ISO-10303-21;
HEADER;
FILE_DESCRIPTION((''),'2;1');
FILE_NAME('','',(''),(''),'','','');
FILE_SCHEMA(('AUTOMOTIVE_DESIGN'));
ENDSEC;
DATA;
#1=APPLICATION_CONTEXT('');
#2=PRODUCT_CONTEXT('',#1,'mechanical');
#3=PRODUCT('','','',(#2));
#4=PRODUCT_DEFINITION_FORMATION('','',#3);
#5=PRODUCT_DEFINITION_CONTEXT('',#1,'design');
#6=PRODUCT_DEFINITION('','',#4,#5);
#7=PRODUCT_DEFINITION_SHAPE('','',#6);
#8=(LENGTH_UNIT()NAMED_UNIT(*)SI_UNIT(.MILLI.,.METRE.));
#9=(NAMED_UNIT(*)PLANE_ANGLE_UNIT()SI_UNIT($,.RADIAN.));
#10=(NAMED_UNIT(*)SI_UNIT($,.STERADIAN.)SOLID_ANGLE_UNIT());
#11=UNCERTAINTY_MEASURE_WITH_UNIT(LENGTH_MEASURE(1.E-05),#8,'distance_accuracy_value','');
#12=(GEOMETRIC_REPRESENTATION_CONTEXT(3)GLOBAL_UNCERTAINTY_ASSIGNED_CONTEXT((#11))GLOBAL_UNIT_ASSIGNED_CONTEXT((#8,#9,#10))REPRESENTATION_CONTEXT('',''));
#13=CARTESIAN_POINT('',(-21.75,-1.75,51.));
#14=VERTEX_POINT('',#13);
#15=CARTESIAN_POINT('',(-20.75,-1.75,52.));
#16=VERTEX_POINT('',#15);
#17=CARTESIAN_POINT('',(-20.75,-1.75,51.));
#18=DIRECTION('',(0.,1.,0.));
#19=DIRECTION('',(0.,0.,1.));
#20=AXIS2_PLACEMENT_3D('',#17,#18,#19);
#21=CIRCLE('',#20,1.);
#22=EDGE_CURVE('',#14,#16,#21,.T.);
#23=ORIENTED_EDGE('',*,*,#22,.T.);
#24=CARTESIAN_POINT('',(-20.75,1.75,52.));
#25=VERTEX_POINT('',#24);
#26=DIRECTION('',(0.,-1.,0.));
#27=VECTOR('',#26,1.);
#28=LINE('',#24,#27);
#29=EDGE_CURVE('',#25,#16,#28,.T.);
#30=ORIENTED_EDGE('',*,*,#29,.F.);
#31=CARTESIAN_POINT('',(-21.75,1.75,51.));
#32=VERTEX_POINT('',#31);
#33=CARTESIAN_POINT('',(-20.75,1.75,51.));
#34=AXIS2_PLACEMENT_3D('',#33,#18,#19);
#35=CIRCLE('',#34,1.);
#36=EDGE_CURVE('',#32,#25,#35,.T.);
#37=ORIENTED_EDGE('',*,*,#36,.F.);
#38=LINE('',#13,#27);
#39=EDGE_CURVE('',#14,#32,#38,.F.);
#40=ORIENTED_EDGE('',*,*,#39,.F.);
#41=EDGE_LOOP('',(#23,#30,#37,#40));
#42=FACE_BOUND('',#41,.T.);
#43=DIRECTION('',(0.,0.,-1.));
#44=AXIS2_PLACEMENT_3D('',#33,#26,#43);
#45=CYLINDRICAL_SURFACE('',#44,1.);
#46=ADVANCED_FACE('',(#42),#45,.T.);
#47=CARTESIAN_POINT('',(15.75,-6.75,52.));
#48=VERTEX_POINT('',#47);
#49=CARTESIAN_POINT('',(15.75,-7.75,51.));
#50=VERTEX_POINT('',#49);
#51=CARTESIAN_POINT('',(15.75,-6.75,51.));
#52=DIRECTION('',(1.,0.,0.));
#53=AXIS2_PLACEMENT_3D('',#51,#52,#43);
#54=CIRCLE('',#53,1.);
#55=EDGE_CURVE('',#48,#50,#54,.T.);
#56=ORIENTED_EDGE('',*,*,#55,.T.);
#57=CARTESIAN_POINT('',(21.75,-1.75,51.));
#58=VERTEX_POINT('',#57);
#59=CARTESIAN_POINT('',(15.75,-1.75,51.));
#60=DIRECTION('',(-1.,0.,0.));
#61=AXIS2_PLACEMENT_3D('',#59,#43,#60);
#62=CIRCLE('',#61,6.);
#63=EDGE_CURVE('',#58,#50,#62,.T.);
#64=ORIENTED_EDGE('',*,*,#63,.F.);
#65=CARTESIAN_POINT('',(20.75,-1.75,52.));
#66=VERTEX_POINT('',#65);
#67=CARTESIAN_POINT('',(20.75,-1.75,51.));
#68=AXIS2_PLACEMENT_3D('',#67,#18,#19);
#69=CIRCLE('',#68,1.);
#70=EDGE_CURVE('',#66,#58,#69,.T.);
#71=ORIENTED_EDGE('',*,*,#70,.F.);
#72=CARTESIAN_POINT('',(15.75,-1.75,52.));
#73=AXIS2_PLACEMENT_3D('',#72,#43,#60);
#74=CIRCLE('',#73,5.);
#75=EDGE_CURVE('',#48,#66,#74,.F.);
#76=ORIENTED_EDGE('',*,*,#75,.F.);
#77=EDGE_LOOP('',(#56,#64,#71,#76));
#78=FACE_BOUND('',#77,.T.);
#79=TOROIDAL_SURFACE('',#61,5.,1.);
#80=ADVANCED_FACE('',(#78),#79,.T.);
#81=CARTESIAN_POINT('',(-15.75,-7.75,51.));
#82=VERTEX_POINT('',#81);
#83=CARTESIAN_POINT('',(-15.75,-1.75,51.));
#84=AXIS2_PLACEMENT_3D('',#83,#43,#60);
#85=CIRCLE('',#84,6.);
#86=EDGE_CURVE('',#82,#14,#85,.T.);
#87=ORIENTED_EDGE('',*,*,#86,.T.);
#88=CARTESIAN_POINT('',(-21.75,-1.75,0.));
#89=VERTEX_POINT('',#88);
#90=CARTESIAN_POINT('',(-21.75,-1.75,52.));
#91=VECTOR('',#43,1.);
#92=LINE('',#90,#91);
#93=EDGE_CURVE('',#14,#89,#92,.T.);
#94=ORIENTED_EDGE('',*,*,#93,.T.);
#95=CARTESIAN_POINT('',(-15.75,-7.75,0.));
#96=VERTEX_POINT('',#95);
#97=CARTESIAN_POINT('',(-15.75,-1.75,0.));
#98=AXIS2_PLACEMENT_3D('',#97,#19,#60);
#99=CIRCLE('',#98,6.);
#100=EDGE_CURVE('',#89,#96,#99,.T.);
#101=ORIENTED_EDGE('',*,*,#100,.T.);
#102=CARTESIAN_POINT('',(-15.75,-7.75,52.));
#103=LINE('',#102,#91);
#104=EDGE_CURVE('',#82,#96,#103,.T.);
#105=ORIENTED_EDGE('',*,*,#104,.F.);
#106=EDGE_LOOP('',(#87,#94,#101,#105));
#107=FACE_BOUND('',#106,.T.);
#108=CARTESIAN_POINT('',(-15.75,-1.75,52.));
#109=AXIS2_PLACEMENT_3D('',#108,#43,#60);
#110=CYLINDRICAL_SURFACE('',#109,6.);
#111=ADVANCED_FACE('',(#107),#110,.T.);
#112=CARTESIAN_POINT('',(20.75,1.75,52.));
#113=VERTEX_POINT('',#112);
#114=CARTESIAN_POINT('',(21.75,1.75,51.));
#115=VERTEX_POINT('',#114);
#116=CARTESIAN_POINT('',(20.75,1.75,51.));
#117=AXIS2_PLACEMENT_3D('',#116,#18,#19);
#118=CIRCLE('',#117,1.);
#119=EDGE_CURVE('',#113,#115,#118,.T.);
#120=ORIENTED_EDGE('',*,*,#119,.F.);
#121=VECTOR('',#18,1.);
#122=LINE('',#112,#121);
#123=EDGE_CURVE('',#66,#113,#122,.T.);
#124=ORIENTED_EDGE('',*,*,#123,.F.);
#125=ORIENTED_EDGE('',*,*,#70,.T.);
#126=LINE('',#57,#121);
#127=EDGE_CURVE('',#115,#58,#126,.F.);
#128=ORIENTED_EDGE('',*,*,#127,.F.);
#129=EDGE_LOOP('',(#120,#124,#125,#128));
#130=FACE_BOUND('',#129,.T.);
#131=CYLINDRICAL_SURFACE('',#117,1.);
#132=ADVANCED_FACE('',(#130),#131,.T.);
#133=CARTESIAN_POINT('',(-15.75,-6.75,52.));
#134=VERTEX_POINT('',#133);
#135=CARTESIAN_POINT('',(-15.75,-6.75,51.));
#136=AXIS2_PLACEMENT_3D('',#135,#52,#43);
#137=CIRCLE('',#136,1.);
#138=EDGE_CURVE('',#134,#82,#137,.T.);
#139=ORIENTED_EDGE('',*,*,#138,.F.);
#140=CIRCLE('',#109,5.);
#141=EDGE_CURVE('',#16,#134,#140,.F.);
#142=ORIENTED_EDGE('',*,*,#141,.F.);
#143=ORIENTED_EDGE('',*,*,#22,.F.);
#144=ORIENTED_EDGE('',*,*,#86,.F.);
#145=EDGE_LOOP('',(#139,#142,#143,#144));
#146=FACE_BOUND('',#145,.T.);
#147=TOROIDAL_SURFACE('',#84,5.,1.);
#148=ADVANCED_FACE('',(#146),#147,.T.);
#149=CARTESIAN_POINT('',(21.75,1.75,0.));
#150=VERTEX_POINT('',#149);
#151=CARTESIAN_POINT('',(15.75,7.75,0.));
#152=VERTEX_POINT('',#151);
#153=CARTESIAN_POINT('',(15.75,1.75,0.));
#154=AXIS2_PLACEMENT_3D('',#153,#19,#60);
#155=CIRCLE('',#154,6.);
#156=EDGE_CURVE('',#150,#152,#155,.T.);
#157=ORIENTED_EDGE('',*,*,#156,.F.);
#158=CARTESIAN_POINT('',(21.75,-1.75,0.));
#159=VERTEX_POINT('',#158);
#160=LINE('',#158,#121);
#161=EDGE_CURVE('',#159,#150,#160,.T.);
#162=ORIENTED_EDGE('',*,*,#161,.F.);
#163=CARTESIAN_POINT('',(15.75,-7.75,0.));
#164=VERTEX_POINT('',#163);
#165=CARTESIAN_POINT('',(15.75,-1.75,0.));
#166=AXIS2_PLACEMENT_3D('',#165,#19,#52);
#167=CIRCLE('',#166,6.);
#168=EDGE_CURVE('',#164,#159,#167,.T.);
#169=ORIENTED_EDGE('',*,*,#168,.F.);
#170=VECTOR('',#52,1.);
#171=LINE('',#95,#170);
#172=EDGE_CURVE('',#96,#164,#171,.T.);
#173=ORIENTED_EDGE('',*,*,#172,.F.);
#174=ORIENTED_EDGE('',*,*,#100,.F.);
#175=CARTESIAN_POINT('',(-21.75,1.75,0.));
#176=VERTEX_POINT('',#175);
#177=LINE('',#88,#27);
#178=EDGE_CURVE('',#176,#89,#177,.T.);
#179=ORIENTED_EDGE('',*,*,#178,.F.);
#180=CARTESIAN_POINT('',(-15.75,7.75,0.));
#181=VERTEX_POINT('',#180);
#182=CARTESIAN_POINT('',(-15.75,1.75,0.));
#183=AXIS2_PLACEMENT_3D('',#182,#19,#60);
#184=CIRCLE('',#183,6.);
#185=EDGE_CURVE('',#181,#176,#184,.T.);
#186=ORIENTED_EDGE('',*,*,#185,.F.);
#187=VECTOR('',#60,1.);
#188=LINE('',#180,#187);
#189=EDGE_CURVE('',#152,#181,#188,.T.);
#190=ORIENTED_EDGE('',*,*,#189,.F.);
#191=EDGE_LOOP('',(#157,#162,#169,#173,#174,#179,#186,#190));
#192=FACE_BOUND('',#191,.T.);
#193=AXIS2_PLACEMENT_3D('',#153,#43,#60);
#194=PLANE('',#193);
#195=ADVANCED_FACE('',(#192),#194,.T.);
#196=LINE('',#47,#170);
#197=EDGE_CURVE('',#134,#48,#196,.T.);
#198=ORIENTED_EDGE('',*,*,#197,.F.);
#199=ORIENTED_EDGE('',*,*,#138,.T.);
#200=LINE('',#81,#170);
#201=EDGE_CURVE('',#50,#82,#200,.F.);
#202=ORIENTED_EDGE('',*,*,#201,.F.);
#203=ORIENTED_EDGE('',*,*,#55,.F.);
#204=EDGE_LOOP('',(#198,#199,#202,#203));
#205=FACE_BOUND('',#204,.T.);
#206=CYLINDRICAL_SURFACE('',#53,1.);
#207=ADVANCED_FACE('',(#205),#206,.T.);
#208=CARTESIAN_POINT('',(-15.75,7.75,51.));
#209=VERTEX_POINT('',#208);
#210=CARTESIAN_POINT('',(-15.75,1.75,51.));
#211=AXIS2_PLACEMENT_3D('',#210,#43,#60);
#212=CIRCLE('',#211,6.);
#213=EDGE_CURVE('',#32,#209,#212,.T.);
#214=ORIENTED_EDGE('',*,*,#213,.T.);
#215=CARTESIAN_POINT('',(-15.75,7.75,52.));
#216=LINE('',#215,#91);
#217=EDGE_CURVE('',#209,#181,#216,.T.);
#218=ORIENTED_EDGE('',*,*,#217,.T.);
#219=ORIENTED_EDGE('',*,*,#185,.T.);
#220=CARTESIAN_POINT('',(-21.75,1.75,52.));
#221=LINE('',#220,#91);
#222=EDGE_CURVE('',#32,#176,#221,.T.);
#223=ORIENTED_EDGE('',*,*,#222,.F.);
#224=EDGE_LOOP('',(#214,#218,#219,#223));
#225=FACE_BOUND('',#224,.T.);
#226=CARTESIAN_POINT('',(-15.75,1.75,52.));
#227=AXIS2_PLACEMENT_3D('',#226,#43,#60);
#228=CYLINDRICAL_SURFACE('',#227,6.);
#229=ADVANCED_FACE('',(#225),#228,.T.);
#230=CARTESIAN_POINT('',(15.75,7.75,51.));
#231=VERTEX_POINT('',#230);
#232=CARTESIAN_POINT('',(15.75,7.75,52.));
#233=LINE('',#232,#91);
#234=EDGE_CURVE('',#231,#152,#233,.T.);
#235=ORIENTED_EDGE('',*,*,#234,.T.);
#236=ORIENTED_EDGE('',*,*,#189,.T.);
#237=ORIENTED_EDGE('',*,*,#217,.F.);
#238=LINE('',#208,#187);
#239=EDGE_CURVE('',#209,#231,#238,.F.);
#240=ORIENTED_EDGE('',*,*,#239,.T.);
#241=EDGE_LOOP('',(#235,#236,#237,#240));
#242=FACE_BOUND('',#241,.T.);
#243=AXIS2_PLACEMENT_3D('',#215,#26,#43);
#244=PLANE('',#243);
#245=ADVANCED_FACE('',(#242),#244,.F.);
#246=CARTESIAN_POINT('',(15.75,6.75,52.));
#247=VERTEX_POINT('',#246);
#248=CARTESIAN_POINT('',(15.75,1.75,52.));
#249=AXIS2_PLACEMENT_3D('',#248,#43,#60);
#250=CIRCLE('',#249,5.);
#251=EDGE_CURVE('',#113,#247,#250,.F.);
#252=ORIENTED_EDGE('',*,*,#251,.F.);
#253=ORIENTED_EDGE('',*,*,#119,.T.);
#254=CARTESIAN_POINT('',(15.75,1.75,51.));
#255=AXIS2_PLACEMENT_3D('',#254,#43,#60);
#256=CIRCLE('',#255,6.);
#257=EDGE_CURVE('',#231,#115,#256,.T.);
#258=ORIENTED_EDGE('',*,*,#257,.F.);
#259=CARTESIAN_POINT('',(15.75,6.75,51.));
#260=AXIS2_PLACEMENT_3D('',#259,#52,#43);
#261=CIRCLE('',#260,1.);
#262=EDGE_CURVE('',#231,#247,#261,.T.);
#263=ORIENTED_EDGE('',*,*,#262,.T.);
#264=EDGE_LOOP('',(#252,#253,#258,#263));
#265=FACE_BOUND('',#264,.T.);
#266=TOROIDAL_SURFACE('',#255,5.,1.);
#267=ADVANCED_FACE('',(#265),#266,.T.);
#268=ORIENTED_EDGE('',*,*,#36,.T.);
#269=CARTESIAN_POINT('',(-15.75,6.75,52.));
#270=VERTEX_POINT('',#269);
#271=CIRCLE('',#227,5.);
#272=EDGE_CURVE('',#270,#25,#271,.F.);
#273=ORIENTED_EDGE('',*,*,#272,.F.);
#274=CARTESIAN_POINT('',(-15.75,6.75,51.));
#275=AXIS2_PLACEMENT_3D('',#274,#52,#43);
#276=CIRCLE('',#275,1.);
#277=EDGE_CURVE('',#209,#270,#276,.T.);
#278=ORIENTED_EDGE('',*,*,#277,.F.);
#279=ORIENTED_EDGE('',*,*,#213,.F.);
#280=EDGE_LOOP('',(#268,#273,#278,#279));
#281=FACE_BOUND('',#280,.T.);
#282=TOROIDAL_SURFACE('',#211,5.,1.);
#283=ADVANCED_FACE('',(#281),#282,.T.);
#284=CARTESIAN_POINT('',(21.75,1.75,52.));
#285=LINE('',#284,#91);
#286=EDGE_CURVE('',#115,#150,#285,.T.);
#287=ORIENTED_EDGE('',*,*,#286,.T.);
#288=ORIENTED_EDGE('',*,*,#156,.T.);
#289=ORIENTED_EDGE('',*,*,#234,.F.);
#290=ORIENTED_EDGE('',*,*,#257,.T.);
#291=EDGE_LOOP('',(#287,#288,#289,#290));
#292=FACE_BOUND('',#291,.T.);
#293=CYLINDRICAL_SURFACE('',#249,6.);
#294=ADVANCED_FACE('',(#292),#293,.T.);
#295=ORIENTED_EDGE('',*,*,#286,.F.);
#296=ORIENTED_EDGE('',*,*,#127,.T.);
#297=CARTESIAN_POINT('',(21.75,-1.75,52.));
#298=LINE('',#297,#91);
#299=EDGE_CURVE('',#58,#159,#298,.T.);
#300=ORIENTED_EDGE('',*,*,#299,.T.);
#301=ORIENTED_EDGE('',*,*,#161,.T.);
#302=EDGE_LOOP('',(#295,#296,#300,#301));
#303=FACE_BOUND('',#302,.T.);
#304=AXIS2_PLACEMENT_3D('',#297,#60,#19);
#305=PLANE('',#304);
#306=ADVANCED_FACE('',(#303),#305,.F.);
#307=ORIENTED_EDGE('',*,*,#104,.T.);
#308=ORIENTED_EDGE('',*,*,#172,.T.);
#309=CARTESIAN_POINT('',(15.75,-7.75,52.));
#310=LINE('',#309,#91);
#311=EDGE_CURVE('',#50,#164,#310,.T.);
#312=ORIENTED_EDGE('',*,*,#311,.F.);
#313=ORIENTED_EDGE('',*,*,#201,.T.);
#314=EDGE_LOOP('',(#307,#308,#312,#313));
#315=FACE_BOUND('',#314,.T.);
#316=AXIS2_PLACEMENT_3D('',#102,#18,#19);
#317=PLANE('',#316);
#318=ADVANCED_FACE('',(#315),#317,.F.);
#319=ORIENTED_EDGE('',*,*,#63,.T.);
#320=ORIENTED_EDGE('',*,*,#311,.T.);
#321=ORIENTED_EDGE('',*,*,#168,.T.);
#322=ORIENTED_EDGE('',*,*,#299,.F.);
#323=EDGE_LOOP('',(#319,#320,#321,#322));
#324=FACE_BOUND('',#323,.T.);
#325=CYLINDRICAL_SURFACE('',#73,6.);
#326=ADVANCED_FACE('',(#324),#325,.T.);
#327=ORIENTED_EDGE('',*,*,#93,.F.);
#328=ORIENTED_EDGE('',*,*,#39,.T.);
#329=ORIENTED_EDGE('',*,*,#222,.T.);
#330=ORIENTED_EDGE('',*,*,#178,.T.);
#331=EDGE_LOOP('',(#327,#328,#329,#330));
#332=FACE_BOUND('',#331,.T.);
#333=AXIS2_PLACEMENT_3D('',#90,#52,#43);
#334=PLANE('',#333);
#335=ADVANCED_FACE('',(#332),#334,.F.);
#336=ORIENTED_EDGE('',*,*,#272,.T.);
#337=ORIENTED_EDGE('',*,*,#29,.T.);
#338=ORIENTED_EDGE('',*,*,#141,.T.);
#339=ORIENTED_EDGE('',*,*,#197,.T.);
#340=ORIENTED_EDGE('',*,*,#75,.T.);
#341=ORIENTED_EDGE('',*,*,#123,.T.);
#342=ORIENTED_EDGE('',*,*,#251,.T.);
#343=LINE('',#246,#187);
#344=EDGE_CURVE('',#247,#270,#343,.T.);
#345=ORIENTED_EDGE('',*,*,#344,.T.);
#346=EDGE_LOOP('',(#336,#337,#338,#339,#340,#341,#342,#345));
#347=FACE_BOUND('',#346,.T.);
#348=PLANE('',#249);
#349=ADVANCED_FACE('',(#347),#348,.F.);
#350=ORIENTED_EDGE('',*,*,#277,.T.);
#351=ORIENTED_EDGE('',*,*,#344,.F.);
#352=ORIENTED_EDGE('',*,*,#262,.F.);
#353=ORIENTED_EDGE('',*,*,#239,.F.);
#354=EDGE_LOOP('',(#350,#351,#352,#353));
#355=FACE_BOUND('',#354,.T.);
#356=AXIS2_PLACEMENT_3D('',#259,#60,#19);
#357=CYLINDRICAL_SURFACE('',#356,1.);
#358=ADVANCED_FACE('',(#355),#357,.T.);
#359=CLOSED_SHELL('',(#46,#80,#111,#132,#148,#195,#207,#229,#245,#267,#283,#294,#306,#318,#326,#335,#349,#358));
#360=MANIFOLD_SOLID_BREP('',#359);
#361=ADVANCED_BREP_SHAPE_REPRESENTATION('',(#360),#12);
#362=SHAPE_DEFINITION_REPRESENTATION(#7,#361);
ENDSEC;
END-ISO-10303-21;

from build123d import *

# Parameters (mm, degrees)
BOSS_EXTRUDE1_DEPTH = 52
FILLET1_R           = 1


with BuildPart() as part:
    # Sketch2 → Boss-Extrude1 (new body)
    with BuildSketch(Plane.XY):
        with BuildLine():
            Line((-15.75, -7.75), (15.75, -7.75))
            ThreePointArc((15.75, -7.75), (19.992640687, -5.992640687), (21.75, -1.75))
            Line((21.75, -1.75), (21.75, 1.75))
            ThreePointArc((21.75, 1.75), (19.992640687, 5.992640687), (15.75, 7.75))
            Line((15.75, 7.75), (-15.75, 7.75))
            ThreePointArc((-15.75, 7.75), (-19.992640687, 5.992640687), (-21.75, 1.75))
            Line((-21.75, 1.75), (-21.75, -1.75))
            ThreePointArc((-21.75, -1.75), (-19.992640687, -5.992640687), (-15.75, -7.75))
        make_face()
    extrude(amount=BOSS_EXTRUDE1_DEPTH)

    # Fillet1
    fillet1_edges = [part.edges().sort_by_distance(p)[0] for p in [
        (-19.992640687, 5.992640687, 52),
        (-21.75, 0, 52),
        (-19.992640687, -5.992640687, 52),
        (0, -7.75, 52),
        (19.992640687, -5.992640687, 52),
        (21.75, 0, 52),
        (19.992640687, 5.992640687, 52),
        (0, 7.75, 52),
    ]]
    fillet(fillet1_edges, radius=FILLET1_R)


solid = part.part
